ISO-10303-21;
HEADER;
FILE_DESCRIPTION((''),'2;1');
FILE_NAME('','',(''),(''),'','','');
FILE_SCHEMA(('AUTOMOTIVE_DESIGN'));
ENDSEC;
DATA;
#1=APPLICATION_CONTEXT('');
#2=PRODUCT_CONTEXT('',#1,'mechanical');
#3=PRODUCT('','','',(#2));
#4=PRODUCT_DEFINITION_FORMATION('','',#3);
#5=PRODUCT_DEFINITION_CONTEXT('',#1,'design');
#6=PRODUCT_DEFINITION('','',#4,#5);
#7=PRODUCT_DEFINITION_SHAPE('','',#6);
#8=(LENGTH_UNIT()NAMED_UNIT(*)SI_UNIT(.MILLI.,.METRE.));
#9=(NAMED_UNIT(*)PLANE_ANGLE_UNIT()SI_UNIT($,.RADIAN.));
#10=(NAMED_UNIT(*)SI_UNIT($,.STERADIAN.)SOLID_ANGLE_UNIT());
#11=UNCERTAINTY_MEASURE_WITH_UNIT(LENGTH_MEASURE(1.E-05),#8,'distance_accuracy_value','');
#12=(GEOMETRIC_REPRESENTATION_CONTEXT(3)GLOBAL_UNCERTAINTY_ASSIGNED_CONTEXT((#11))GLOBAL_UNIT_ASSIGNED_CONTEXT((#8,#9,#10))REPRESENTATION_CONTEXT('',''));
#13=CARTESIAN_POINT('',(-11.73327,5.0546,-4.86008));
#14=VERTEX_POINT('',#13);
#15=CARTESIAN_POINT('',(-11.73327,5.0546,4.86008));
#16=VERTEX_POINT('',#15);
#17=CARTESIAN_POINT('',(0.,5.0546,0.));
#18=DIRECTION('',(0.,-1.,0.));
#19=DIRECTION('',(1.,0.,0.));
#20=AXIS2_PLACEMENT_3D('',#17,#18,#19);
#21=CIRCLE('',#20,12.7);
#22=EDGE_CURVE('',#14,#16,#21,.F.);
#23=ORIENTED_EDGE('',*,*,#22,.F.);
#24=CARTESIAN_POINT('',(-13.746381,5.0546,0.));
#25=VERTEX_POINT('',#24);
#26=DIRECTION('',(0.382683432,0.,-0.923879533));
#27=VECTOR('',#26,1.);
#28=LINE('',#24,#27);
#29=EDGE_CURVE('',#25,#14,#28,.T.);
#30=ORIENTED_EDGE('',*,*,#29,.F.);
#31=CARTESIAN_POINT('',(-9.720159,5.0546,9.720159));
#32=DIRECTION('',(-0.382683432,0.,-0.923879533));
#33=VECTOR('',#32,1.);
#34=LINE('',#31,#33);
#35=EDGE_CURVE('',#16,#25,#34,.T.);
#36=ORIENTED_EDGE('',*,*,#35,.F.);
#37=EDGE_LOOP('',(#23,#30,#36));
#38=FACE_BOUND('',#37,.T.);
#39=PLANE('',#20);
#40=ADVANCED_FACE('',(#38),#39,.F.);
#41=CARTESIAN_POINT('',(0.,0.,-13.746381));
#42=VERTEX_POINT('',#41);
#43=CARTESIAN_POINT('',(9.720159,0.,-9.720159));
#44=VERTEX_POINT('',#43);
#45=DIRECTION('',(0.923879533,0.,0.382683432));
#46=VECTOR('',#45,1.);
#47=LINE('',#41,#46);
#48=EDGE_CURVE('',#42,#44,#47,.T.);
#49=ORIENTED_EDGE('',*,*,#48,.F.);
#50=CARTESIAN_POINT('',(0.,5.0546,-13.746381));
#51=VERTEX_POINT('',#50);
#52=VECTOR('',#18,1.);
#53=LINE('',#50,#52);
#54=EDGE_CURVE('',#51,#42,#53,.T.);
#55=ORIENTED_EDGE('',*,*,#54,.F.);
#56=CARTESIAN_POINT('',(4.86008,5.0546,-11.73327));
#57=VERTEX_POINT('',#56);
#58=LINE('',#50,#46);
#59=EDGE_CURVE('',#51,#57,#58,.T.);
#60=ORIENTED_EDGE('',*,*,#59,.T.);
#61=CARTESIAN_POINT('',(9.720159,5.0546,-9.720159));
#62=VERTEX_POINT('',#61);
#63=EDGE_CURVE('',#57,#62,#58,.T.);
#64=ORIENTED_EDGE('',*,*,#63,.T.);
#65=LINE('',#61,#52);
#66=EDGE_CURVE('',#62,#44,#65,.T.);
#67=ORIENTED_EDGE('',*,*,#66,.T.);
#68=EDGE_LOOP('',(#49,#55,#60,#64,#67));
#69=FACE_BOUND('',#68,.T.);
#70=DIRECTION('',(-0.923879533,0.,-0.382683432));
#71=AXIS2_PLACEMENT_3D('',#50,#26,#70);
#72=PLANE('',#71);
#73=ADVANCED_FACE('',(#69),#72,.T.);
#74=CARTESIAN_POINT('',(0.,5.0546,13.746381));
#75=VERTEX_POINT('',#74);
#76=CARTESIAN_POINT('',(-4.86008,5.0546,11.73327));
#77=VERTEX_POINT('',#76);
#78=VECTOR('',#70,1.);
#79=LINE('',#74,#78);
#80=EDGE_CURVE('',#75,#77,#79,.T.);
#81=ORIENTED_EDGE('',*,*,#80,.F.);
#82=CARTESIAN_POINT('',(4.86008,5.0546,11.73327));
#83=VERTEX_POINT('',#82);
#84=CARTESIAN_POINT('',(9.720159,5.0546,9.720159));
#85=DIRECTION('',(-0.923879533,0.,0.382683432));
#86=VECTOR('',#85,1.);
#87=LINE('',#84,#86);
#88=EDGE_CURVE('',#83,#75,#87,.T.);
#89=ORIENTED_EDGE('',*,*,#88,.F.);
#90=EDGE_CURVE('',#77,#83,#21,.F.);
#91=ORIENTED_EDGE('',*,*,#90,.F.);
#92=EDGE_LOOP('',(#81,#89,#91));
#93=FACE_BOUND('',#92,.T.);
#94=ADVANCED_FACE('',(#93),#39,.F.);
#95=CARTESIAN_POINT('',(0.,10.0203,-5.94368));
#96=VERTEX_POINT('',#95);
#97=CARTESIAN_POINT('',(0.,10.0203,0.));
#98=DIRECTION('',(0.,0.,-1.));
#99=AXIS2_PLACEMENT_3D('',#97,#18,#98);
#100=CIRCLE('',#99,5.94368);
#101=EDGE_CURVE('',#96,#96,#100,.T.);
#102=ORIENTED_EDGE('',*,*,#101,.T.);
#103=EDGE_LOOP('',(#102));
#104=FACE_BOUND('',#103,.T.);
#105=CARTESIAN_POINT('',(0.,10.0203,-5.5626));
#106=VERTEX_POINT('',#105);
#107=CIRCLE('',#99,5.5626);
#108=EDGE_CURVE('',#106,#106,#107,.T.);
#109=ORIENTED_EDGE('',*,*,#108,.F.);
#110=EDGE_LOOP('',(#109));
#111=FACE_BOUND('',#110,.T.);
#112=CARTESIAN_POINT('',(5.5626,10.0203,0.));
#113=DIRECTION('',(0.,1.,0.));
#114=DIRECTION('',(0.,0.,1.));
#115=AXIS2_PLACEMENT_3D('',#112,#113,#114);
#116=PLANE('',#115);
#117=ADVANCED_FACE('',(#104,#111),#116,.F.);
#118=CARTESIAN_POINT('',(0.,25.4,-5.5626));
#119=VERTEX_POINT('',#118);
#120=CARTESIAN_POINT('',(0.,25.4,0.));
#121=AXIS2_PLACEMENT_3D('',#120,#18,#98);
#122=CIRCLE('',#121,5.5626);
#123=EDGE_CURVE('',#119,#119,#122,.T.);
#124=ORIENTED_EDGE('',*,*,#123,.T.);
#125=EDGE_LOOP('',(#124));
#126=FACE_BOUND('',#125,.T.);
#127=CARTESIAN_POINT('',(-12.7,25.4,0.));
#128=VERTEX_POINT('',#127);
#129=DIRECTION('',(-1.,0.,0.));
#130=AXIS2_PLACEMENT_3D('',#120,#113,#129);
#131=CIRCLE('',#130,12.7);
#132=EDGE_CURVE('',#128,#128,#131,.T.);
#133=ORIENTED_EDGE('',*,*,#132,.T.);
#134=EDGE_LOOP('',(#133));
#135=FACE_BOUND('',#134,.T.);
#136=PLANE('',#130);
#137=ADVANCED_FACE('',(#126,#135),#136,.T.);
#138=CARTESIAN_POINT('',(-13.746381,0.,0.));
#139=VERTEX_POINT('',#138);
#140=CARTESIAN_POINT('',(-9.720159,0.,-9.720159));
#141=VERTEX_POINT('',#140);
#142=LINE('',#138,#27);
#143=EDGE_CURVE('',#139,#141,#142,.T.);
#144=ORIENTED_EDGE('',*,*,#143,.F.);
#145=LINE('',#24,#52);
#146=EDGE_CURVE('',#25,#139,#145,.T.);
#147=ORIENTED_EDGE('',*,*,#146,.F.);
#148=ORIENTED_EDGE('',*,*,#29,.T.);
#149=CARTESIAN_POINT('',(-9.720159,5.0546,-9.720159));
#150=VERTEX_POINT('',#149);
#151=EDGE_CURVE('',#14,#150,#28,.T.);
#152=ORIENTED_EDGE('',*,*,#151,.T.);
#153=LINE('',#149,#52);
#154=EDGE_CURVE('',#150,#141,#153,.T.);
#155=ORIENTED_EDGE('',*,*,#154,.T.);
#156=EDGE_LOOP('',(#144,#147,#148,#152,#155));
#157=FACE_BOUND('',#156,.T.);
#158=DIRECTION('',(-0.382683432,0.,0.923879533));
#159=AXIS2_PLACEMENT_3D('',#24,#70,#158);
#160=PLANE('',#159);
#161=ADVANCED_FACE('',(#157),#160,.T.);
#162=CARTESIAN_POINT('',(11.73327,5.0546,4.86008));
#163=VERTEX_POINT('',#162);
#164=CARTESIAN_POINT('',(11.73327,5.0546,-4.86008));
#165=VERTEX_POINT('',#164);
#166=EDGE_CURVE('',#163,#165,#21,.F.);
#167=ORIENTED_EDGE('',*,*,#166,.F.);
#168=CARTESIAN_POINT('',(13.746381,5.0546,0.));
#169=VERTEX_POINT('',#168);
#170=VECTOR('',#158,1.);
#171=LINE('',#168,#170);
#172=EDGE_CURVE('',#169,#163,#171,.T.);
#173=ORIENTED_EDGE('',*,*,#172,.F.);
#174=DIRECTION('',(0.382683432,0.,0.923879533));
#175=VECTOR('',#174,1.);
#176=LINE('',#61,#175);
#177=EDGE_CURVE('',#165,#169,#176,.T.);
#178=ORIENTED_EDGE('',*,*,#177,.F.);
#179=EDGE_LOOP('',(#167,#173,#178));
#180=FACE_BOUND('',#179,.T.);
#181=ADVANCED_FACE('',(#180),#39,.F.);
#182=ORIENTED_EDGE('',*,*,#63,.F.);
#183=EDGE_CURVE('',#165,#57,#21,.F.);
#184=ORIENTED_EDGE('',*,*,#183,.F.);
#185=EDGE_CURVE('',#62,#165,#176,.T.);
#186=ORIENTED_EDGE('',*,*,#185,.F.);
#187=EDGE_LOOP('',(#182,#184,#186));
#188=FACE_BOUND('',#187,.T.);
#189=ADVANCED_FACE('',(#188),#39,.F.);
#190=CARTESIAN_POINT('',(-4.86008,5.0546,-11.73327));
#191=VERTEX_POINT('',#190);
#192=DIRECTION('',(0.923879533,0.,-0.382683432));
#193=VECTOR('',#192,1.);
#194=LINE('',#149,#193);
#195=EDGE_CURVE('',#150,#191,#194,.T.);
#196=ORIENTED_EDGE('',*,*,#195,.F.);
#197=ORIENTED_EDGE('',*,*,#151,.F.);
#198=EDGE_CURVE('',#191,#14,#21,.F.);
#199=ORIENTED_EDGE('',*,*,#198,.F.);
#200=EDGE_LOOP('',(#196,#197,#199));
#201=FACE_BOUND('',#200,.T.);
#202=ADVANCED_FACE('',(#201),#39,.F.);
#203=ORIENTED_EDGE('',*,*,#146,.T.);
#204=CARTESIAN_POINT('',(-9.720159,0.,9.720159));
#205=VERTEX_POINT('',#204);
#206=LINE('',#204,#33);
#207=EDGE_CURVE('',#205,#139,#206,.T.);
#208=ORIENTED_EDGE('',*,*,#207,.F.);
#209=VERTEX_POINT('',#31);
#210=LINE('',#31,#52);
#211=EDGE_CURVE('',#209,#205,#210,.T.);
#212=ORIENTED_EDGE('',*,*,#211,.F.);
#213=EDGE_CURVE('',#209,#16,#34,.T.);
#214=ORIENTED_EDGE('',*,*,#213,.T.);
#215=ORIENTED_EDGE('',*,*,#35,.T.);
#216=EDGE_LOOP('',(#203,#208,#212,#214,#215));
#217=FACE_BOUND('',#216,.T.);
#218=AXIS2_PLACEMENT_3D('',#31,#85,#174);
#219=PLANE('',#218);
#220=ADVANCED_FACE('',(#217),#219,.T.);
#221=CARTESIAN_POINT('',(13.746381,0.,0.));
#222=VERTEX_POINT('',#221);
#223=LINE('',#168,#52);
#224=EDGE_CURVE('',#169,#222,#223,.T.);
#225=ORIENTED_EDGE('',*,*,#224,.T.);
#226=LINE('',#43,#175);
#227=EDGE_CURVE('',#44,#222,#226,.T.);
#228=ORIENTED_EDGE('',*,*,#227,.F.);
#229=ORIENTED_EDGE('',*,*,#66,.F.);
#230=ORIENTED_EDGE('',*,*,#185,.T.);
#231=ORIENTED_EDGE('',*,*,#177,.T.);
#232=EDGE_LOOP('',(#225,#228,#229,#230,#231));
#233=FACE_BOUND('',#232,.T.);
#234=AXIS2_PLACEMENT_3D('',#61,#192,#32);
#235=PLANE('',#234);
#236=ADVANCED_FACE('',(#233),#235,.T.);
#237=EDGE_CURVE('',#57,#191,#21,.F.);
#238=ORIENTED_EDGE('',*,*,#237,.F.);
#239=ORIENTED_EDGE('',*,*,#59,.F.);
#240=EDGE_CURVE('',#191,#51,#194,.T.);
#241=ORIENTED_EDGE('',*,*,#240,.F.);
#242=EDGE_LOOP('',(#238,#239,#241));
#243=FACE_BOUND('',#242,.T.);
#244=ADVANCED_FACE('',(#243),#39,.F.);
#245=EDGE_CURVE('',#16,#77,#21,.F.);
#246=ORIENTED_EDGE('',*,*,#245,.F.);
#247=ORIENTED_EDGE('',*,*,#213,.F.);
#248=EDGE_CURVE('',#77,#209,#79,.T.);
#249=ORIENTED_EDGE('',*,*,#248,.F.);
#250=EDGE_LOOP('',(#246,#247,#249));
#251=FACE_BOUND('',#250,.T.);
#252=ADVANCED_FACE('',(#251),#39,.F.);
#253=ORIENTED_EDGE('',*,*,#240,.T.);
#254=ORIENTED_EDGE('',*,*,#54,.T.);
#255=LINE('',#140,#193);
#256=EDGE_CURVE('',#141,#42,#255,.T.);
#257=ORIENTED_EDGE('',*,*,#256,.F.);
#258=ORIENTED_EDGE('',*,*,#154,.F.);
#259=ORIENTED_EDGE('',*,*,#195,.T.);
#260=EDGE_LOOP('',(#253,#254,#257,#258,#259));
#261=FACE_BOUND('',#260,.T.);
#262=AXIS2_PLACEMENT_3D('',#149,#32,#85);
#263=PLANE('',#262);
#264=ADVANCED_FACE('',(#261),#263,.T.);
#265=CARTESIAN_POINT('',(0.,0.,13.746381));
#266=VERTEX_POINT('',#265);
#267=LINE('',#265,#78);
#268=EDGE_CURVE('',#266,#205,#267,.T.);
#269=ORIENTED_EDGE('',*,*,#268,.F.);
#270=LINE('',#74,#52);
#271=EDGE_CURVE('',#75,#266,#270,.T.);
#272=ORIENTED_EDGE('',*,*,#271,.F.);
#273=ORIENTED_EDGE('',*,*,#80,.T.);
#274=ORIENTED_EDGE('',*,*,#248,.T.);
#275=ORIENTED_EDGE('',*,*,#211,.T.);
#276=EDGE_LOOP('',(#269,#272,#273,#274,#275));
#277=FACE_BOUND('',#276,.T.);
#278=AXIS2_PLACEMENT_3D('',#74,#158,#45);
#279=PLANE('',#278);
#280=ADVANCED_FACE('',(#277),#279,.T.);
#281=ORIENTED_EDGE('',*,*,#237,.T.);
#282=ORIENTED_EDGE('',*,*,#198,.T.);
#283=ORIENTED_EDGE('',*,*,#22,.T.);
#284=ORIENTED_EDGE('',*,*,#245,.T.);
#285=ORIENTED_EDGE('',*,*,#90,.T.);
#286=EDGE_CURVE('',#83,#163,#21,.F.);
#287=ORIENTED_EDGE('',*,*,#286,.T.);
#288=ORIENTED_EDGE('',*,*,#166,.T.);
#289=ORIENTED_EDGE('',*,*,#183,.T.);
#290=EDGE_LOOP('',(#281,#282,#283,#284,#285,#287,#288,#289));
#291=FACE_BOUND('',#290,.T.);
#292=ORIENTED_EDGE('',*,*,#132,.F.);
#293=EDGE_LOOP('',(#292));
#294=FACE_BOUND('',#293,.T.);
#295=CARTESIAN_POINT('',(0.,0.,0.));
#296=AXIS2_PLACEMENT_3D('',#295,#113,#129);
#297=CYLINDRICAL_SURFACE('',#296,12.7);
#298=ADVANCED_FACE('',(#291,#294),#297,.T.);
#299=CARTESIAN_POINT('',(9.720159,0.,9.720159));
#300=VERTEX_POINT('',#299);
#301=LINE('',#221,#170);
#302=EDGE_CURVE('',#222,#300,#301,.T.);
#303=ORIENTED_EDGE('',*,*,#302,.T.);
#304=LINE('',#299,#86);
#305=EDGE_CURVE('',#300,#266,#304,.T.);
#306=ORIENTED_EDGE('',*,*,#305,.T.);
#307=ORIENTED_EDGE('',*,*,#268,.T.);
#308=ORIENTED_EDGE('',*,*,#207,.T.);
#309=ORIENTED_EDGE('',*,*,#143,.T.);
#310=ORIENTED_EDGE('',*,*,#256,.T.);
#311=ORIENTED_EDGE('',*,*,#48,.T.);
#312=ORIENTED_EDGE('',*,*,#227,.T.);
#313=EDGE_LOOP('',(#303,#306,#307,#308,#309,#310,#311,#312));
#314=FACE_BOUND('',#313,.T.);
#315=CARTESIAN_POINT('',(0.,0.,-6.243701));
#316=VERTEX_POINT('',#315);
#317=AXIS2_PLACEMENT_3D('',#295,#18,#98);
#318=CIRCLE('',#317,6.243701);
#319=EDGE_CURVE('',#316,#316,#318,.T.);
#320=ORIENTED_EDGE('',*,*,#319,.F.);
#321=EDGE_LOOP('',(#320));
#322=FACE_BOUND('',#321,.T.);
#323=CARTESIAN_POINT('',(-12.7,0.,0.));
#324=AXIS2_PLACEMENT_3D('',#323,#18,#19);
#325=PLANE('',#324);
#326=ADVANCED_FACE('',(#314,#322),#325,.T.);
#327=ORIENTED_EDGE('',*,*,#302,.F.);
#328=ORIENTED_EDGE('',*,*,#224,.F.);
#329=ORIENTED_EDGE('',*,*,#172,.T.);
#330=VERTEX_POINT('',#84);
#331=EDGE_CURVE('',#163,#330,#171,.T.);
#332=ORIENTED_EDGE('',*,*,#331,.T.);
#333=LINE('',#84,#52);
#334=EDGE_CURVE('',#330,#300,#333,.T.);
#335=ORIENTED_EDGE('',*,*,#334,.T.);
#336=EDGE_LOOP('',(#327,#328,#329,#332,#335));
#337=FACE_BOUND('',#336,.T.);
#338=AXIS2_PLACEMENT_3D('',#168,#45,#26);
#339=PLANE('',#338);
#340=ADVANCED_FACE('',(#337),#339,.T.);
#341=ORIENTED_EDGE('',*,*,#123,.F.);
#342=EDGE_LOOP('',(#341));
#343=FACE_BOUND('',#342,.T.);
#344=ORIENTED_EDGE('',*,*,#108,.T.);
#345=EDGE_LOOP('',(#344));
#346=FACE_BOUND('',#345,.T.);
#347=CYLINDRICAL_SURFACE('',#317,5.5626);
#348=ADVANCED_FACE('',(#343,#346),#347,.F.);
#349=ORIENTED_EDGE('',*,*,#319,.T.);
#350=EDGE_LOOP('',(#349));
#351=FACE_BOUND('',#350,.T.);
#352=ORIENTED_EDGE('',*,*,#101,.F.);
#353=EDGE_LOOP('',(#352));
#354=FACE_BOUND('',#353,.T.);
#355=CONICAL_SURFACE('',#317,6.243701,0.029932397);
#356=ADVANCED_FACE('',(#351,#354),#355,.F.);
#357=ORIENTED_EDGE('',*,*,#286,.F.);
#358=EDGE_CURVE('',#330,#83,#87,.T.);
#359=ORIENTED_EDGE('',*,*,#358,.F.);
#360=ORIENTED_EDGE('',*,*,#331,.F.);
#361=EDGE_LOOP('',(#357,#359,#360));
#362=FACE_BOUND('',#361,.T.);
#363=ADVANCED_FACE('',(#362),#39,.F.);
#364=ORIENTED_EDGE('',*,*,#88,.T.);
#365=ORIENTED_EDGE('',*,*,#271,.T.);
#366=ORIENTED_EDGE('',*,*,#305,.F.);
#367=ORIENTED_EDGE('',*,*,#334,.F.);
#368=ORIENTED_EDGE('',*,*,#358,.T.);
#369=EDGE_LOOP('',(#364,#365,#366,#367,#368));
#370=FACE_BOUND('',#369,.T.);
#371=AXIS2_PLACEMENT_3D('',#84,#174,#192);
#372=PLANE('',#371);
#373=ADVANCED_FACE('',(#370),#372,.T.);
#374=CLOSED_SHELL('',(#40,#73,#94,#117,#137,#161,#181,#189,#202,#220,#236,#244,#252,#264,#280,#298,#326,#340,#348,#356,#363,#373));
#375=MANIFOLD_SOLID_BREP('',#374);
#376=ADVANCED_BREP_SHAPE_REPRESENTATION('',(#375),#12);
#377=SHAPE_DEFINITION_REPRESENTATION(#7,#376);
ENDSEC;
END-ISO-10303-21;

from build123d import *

# Parameters (mm, degrees)
SKETCH1_W           = 12.7
SKETCH1_H           = 25.4
BOSS_EXTRUDE1_DEPTH = 5.0546


with BuildPart() as part:
    # Sketch1 → Revolve1 (revolve)
    with BuildSketch(Plane.XY):
        with Locations((-6.35, 12.7)):
            Rectangle(SKETCH1_W, SKETCH1_H)
    revolve(axis=Axis((0, 0, 0), (0, -1, 0)))

    # Sketch2 → Boss-Extrude1 (add)
    with BuildSketch(Plane.XZ):
        Polygon((0, 13.746380944), (-9.720159182, 9.720159182), (-13.746380944, 0), (-9.720159182, -9.720159182), (0, -13.746380944), (9.720159182, -9.720159182), (13.746380944, 0), (9.720159182, 9.720159182), align=None)
    extrude(amount=-BOSS_EXTRUDE1_DEPTH)

    # Sketch4 → 1/4 NPT Tapped Hole1 (revolve, cut)
    with BuildSketch(Plane(origin=(0, 0, 0), x_dir=(0, 0, -1), z_dir=(1, 0, 0))):
        Polygon((0, 0), (0, 25.4), (5.5626, 25.4), (5.5626, 10.0203), (5.943679799, 10.0203), (6.243701, 0), align=None)
    revolve(axis=Axis((0, -6.35, 0), (0, 1, 0)), mode=Mode.SUBTRACT)


solid = part.part
